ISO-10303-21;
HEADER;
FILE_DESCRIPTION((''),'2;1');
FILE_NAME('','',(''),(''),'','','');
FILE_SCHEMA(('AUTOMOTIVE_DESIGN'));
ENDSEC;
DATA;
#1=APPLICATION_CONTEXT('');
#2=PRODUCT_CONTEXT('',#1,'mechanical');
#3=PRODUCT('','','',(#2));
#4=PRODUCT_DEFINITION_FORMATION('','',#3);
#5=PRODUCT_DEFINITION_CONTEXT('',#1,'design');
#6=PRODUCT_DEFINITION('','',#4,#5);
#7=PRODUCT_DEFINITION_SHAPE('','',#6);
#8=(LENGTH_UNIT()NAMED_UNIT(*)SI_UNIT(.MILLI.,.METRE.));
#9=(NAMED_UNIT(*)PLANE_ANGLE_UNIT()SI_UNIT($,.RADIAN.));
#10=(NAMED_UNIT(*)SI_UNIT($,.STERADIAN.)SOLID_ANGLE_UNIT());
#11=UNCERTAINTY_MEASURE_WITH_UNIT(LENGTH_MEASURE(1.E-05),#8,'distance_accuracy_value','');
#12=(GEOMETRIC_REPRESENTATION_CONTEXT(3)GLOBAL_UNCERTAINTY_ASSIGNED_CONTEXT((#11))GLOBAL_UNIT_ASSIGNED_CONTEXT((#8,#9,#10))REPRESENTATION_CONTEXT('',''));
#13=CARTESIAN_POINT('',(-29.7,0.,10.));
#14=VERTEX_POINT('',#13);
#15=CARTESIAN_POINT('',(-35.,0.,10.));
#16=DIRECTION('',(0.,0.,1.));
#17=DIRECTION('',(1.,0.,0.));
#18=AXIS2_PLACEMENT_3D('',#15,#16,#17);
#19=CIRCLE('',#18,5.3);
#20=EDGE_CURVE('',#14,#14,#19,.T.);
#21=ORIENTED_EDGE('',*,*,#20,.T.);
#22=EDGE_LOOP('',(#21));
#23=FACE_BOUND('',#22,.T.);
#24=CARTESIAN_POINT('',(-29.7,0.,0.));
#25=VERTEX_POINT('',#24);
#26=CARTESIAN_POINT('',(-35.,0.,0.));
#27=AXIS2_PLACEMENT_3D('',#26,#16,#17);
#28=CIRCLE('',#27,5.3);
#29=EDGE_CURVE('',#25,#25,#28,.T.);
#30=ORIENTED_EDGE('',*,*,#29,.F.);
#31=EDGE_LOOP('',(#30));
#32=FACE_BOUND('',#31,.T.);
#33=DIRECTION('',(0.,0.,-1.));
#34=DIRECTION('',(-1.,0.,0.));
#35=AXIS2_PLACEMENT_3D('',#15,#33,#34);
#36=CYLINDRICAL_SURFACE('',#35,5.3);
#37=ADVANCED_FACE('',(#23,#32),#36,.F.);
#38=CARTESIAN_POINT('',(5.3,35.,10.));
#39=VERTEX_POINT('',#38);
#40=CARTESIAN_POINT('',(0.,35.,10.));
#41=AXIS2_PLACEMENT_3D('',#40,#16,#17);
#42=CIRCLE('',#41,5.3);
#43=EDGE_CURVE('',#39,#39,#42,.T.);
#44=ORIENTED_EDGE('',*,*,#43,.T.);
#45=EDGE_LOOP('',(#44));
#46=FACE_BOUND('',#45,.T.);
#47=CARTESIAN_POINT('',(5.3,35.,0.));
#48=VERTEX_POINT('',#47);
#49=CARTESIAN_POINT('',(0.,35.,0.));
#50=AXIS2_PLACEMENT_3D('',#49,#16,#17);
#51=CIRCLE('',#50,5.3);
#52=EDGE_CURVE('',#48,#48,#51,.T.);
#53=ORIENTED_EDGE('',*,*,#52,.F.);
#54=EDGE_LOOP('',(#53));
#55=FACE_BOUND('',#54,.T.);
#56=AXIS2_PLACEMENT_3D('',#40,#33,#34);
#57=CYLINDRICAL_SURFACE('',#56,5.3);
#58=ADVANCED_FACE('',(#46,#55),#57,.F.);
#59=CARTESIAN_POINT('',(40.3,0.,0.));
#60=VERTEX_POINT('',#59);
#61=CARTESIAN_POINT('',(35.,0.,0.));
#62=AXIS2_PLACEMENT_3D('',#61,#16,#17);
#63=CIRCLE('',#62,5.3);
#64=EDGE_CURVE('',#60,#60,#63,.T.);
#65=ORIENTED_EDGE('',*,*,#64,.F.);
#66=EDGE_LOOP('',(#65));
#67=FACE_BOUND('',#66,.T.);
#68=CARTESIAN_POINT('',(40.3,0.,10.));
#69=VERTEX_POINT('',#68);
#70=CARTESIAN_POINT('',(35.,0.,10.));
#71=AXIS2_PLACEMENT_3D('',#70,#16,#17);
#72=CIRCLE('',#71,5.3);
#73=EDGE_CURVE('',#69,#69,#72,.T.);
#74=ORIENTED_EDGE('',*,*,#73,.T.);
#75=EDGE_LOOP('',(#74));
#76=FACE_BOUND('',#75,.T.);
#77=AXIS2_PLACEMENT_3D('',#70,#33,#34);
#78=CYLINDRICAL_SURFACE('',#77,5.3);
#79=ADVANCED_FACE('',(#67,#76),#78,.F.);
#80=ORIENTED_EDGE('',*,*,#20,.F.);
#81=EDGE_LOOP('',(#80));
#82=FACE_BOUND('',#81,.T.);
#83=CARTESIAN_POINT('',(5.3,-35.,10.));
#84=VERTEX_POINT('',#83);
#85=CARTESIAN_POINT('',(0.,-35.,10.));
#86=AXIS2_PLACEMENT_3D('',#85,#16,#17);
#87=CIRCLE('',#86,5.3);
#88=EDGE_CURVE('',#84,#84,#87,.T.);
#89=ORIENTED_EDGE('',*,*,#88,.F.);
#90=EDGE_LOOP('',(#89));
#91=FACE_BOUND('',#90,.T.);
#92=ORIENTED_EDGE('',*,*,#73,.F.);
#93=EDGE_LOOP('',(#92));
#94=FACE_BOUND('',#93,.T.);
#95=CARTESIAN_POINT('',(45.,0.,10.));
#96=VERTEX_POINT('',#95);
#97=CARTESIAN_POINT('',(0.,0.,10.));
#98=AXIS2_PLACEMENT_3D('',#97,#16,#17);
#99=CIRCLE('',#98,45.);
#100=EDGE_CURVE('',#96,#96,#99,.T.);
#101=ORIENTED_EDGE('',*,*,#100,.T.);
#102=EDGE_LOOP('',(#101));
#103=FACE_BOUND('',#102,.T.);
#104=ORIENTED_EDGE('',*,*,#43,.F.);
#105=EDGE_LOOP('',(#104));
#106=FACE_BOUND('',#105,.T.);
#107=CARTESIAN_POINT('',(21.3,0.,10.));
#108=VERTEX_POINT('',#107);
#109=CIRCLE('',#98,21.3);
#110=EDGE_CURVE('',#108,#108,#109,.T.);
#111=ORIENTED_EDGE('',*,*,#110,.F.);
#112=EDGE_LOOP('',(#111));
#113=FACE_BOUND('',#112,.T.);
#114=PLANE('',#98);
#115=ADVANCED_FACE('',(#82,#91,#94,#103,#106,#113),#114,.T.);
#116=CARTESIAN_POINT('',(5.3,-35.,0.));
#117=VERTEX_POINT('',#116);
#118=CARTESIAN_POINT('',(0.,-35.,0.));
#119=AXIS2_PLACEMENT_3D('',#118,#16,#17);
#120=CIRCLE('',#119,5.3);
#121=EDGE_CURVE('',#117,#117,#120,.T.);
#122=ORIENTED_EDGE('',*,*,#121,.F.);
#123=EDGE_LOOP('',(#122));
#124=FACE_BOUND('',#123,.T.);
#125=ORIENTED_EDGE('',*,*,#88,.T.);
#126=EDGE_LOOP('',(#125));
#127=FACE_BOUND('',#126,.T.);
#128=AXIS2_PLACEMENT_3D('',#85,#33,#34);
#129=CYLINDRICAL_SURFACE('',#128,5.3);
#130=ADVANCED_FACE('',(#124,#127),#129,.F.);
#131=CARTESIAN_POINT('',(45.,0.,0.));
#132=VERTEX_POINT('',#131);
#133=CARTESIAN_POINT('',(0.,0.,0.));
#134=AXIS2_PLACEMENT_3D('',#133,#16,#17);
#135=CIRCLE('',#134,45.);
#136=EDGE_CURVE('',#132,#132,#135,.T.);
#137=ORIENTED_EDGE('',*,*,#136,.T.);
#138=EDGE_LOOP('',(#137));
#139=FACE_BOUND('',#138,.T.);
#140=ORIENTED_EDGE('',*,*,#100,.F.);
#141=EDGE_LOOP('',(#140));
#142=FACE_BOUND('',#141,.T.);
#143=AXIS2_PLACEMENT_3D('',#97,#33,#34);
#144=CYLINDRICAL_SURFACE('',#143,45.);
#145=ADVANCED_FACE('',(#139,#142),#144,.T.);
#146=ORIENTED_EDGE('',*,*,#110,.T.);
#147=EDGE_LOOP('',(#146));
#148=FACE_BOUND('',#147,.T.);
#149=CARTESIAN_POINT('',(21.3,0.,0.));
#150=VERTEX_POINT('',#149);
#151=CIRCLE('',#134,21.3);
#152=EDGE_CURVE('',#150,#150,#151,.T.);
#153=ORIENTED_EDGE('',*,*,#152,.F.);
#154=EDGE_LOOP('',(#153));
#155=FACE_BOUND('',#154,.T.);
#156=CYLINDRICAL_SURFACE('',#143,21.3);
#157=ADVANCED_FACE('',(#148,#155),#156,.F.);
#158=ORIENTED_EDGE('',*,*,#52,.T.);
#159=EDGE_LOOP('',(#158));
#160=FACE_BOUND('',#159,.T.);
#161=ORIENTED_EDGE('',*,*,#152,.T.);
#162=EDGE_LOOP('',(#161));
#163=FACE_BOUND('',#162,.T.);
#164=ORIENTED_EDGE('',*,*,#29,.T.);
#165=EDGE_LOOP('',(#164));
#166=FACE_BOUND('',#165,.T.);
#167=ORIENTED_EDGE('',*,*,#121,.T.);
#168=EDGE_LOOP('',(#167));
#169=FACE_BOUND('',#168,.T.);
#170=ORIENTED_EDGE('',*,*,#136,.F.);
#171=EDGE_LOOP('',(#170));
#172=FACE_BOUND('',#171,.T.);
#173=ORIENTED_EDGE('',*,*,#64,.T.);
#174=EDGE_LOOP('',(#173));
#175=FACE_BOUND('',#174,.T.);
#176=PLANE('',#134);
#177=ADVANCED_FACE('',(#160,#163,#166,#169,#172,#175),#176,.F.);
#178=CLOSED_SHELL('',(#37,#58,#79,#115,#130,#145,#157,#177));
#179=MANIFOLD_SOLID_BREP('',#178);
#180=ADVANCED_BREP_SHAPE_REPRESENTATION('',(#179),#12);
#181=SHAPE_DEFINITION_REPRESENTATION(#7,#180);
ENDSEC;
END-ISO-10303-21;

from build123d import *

# Parameters (mm, degrees)
SZKIC1_R                    = 45
SZKIC1_R_2                  = 5.3
SZKIC1_R_3                  = 21.3
DODANIE_WYCI_GNI_CIE3_DEPTH = 10


with BuildPart() as part:
    # Szkic1 → Dodanie-wyciągnięcie3 (new body)
    with BuildSketch(Plane.XY):
        Circle(SZKIC1_R)
        with Locations((0, 35)):
            Circle(SZKIC1_R_2, mode=Mode.SUBTRACT)
        with Locations((35, 0)):
            Circle(SZKIC1_R_2, mode=Mode.SUBTRACT)
        with Locations((0, -35)):
            Circle(SZKIC1_R_2, mode=Mode.SUBTRACT)
        with Locations((-35, 0)):
            Circle(SZKIC1_R_2, mode=Mode.SUBTRACT)
        Circle(SZKIC1_R_3, mode=Mode.SUBTRACT)
    extrude(amount=DODANIE_WYCI_GNI_CIE3_DEPTH)


solid = part.part
